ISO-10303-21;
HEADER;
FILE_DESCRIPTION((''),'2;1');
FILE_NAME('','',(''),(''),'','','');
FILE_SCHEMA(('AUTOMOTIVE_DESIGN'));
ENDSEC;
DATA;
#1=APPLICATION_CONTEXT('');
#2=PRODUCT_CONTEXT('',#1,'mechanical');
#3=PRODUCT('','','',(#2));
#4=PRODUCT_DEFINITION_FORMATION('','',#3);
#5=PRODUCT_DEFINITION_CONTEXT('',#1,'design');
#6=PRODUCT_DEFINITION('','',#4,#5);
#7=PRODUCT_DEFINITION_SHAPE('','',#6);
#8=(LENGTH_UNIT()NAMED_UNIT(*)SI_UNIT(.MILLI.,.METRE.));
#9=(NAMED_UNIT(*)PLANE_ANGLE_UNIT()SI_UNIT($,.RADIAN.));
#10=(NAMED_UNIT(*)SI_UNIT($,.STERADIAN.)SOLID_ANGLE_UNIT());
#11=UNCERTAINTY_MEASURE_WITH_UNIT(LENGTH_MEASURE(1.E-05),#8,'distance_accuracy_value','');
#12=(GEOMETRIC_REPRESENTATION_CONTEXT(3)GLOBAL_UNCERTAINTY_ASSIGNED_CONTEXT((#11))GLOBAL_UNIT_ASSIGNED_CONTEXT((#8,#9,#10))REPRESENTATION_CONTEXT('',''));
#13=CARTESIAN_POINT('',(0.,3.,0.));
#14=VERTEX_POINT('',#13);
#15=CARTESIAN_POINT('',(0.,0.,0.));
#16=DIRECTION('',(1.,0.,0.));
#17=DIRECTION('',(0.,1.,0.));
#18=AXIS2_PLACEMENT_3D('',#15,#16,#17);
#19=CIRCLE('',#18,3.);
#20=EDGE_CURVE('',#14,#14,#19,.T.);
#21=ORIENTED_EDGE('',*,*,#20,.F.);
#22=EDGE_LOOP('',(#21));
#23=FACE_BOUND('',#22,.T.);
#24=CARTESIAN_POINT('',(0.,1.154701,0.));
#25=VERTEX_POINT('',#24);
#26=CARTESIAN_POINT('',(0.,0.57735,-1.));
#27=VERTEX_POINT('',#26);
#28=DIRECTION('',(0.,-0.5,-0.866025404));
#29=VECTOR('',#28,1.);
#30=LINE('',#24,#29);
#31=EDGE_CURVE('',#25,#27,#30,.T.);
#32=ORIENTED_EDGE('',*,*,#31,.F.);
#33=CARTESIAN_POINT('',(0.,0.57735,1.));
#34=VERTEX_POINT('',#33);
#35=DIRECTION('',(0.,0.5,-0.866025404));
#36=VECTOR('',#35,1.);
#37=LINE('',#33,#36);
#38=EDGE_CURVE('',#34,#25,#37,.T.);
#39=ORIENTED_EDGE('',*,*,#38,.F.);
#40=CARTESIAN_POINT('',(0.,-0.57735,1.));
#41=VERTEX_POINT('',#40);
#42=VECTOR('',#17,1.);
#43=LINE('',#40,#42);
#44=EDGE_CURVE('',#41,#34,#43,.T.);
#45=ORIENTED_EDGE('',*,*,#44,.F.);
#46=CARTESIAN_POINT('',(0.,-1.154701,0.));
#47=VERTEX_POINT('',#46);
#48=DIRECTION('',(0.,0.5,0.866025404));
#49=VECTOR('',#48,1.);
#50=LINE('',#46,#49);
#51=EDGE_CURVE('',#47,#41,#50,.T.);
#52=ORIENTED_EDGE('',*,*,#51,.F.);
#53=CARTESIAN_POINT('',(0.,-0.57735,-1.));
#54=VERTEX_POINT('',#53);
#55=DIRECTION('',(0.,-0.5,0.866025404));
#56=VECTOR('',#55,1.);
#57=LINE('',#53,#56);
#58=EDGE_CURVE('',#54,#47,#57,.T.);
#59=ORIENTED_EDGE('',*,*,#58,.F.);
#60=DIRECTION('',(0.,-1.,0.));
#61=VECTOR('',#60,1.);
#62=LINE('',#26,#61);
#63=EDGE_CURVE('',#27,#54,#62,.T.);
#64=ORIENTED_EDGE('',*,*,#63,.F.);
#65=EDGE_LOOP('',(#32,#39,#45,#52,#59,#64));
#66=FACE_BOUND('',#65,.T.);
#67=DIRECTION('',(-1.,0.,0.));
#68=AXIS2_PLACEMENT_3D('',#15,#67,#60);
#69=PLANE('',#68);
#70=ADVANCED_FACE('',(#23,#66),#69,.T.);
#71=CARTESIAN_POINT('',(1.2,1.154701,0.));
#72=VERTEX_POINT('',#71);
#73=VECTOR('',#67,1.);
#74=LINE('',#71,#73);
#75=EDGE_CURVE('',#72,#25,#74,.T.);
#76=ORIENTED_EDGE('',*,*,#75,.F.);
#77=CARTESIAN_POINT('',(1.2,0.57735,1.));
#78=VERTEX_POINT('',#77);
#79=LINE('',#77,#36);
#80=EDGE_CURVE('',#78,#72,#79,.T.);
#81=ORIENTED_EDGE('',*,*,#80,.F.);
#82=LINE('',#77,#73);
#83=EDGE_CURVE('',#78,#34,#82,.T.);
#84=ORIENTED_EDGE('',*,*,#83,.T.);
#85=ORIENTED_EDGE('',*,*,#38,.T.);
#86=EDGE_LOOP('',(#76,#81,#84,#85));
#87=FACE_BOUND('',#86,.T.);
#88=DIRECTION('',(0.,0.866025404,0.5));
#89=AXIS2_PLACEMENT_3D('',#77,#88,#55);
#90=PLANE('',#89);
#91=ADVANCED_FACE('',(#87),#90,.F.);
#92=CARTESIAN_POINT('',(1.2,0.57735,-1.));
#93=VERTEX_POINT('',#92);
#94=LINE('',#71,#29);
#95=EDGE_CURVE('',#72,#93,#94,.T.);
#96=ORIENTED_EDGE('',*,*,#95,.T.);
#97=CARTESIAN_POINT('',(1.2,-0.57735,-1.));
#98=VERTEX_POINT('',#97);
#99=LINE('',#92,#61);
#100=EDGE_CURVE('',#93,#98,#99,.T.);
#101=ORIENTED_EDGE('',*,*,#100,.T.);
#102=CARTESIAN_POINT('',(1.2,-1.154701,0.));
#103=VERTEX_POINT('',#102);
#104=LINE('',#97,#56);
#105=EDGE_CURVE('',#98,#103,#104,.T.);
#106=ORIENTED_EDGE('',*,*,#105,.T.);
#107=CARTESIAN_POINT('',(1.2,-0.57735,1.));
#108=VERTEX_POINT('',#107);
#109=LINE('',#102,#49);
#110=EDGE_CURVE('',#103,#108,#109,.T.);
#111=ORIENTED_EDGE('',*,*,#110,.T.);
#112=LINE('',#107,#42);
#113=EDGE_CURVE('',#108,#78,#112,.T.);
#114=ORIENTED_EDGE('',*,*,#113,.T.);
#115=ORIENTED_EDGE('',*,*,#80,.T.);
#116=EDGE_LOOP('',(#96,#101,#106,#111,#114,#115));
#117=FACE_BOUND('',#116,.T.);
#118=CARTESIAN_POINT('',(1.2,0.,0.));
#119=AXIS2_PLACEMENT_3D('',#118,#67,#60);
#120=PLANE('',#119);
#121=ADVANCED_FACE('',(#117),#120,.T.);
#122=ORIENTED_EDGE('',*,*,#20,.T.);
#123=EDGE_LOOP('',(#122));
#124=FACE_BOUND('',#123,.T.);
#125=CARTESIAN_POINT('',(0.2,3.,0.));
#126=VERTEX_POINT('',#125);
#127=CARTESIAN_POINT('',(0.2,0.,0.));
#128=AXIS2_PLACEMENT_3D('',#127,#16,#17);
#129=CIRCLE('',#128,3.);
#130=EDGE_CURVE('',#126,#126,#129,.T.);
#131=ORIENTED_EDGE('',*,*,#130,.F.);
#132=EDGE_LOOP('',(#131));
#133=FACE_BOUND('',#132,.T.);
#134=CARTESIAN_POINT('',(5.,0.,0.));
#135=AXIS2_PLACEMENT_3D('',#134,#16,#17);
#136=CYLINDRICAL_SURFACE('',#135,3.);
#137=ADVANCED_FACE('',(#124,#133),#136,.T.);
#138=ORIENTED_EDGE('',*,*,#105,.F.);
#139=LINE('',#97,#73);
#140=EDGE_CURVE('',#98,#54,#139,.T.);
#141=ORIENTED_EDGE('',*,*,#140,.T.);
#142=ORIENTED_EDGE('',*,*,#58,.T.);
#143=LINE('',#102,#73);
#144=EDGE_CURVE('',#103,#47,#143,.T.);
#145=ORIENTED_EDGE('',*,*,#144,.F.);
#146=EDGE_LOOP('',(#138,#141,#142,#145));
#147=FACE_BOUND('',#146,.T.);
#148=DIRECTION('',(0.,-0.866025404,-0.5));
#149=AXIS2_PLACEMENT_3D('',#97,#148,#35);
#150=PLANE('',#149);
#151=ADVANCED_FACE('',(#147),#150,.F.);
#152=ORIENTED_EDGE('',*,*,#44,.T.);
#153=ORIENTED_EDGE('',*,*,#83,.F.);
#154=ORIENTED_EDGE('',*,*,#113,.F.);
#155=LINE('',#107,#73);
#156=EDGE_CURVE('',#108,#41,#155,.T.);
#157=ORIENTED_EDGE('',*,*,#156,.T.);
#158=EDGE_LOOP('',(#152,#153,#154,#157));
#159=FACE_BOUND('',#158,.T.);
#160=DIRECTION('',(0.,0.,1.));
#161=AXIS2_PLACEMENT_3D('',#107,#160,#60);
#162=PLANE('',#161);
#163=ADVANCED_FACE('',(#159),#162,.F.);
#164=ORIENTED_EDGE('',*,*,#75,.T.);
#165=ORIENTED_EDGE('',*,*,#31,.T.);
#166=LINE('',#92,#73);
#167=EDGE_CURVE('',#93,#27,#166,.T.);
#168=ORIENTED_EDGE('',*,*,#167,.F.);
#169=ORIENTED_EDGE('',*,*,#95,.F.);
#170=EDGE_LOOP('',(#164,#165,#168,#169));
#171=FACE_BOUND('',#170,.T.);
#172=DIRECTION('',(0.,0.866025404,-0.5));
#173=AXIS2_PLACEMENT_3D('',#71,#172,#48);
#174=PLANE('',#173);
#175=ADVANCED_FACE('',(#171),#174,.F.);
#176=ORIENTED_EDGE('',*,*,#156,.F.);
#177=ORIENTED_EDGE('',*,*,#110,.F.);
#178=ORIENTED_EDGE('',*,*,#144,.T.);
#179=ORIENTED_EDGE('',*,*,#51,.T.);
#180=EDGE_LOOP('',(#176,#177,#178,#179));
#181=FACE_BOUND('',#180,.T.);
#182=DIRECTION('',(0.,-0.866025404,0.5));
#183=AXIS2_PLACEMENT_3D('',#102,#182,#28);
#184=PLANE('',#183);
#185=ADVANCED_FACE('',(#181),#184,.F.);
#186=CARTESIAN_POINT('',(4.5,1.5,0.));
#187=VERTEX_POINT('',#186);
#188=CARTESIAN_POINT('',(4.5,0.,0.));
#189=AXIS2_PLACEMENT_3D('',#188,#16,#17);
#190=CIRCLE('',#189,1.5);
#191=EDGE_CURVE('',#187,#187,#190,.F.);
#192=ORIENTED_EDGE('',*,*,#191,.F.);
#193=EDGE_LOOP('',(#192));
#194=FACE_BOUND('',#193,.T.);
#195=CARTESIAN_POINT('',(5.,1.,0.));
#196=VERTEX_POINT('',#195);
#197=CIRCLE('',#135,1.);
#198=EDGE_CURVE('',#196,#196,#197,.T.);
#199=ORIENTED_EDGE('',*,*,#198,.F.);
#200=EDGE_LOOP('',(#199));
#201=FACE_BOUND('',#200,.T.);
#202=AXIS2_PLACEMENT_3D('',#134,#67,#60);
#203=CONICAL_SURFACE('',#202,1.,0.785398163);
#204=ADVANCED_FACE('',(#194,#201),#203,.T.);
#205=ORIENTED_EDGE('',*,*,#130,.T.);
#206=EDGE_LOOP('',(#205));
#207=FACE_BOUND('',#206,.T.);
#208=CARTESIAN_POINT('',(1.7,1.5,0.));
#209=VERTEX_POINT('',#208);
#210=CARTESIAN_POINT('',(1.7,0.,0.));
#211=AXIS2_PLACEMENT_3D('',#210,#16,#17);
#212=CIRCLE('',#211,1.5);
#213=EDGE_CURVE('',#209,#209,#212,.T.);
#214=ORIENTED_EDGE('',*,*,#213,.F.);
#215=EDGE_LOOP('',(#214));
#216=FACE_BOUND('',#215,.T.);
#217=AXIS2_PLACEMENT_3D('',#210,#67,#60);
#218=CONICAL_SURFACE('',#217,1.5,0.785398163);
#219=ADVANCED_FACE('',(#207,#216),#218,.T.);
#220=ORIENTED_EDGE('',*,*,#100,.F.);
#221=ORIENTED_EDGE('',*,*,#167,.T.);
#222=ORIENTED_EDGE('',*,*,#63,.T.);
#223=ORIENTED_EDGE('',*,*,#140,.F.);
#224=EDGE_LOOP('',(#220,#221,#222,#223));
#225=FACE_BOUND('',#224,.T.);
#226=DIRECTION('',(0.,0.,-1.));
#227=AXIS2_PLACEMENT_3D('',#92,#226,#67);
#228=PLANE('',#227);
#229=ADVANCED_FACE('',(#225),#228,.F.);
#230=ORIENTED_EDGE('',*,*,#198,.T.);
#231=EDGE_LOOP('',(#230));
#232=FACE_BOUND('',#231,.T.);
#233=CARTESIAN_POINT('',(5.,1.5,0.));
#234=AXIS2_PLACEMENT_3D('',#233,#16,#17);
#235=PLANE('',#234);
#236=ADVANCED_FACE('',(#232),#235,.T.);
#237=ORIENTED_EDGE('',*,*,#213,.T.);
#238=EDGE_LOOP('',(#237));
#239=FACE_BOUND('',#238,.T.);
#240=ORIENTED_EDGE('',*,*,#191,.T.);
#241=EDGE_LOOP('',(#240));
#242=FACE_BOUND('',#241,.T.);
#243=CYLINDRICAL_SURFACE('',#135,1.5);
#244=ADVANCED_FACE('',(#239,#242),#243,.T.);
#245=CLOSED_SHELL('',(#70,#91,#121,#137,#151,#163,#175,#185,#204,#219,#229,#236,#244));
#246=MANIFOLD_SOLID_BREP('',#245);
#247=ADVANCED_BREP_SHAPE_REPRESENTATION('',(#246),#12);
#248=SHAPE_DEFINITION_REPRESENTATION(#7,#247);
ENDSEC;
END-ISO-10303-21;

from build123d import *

# Parameters (mm, degrees)
CHANFREIN1_SIZE         = 0.5
ENL_V_MAT_EXTRU_1_DEPTH = 1.2


with BuildPart() as part:
    # Esquisse1 → Révolution1 (revolve)
    with BuildSketch(Plane.XY):
        Polygon((0, 0), (0, 3), (0.2, 3), (1.7, 1.5), (5, 1.5), (5, 0), align=None)
    revolve(axis=Axis((5, 0, 0), (-1, 0, 0)))

    # Chanfrein1
    chanfrein1_edges = [part.edges().sort_by_distance(p)[0] for p in [
        (5, -1.5, 0),
    ]]
    chamfer(chanfrein1_edges, length=CHANFREIN1_SIZE)

    # Esquisse2 → Enlèv. mat.-Extru.1 (cut)
    with BuildSketch(Plane.ZY):
        Polygon((0, 1.154700538), (-1, 0.577350269), (-1, -0.577350269), (0, -1.154700538), (1, -0.577350269), (1, 0.577350269), align=None)
    extrude(amount=-ENL_V_MAT_EXTRU_1_DEPTH, mode=Mode.SUBTRACT)


solid = part.part
